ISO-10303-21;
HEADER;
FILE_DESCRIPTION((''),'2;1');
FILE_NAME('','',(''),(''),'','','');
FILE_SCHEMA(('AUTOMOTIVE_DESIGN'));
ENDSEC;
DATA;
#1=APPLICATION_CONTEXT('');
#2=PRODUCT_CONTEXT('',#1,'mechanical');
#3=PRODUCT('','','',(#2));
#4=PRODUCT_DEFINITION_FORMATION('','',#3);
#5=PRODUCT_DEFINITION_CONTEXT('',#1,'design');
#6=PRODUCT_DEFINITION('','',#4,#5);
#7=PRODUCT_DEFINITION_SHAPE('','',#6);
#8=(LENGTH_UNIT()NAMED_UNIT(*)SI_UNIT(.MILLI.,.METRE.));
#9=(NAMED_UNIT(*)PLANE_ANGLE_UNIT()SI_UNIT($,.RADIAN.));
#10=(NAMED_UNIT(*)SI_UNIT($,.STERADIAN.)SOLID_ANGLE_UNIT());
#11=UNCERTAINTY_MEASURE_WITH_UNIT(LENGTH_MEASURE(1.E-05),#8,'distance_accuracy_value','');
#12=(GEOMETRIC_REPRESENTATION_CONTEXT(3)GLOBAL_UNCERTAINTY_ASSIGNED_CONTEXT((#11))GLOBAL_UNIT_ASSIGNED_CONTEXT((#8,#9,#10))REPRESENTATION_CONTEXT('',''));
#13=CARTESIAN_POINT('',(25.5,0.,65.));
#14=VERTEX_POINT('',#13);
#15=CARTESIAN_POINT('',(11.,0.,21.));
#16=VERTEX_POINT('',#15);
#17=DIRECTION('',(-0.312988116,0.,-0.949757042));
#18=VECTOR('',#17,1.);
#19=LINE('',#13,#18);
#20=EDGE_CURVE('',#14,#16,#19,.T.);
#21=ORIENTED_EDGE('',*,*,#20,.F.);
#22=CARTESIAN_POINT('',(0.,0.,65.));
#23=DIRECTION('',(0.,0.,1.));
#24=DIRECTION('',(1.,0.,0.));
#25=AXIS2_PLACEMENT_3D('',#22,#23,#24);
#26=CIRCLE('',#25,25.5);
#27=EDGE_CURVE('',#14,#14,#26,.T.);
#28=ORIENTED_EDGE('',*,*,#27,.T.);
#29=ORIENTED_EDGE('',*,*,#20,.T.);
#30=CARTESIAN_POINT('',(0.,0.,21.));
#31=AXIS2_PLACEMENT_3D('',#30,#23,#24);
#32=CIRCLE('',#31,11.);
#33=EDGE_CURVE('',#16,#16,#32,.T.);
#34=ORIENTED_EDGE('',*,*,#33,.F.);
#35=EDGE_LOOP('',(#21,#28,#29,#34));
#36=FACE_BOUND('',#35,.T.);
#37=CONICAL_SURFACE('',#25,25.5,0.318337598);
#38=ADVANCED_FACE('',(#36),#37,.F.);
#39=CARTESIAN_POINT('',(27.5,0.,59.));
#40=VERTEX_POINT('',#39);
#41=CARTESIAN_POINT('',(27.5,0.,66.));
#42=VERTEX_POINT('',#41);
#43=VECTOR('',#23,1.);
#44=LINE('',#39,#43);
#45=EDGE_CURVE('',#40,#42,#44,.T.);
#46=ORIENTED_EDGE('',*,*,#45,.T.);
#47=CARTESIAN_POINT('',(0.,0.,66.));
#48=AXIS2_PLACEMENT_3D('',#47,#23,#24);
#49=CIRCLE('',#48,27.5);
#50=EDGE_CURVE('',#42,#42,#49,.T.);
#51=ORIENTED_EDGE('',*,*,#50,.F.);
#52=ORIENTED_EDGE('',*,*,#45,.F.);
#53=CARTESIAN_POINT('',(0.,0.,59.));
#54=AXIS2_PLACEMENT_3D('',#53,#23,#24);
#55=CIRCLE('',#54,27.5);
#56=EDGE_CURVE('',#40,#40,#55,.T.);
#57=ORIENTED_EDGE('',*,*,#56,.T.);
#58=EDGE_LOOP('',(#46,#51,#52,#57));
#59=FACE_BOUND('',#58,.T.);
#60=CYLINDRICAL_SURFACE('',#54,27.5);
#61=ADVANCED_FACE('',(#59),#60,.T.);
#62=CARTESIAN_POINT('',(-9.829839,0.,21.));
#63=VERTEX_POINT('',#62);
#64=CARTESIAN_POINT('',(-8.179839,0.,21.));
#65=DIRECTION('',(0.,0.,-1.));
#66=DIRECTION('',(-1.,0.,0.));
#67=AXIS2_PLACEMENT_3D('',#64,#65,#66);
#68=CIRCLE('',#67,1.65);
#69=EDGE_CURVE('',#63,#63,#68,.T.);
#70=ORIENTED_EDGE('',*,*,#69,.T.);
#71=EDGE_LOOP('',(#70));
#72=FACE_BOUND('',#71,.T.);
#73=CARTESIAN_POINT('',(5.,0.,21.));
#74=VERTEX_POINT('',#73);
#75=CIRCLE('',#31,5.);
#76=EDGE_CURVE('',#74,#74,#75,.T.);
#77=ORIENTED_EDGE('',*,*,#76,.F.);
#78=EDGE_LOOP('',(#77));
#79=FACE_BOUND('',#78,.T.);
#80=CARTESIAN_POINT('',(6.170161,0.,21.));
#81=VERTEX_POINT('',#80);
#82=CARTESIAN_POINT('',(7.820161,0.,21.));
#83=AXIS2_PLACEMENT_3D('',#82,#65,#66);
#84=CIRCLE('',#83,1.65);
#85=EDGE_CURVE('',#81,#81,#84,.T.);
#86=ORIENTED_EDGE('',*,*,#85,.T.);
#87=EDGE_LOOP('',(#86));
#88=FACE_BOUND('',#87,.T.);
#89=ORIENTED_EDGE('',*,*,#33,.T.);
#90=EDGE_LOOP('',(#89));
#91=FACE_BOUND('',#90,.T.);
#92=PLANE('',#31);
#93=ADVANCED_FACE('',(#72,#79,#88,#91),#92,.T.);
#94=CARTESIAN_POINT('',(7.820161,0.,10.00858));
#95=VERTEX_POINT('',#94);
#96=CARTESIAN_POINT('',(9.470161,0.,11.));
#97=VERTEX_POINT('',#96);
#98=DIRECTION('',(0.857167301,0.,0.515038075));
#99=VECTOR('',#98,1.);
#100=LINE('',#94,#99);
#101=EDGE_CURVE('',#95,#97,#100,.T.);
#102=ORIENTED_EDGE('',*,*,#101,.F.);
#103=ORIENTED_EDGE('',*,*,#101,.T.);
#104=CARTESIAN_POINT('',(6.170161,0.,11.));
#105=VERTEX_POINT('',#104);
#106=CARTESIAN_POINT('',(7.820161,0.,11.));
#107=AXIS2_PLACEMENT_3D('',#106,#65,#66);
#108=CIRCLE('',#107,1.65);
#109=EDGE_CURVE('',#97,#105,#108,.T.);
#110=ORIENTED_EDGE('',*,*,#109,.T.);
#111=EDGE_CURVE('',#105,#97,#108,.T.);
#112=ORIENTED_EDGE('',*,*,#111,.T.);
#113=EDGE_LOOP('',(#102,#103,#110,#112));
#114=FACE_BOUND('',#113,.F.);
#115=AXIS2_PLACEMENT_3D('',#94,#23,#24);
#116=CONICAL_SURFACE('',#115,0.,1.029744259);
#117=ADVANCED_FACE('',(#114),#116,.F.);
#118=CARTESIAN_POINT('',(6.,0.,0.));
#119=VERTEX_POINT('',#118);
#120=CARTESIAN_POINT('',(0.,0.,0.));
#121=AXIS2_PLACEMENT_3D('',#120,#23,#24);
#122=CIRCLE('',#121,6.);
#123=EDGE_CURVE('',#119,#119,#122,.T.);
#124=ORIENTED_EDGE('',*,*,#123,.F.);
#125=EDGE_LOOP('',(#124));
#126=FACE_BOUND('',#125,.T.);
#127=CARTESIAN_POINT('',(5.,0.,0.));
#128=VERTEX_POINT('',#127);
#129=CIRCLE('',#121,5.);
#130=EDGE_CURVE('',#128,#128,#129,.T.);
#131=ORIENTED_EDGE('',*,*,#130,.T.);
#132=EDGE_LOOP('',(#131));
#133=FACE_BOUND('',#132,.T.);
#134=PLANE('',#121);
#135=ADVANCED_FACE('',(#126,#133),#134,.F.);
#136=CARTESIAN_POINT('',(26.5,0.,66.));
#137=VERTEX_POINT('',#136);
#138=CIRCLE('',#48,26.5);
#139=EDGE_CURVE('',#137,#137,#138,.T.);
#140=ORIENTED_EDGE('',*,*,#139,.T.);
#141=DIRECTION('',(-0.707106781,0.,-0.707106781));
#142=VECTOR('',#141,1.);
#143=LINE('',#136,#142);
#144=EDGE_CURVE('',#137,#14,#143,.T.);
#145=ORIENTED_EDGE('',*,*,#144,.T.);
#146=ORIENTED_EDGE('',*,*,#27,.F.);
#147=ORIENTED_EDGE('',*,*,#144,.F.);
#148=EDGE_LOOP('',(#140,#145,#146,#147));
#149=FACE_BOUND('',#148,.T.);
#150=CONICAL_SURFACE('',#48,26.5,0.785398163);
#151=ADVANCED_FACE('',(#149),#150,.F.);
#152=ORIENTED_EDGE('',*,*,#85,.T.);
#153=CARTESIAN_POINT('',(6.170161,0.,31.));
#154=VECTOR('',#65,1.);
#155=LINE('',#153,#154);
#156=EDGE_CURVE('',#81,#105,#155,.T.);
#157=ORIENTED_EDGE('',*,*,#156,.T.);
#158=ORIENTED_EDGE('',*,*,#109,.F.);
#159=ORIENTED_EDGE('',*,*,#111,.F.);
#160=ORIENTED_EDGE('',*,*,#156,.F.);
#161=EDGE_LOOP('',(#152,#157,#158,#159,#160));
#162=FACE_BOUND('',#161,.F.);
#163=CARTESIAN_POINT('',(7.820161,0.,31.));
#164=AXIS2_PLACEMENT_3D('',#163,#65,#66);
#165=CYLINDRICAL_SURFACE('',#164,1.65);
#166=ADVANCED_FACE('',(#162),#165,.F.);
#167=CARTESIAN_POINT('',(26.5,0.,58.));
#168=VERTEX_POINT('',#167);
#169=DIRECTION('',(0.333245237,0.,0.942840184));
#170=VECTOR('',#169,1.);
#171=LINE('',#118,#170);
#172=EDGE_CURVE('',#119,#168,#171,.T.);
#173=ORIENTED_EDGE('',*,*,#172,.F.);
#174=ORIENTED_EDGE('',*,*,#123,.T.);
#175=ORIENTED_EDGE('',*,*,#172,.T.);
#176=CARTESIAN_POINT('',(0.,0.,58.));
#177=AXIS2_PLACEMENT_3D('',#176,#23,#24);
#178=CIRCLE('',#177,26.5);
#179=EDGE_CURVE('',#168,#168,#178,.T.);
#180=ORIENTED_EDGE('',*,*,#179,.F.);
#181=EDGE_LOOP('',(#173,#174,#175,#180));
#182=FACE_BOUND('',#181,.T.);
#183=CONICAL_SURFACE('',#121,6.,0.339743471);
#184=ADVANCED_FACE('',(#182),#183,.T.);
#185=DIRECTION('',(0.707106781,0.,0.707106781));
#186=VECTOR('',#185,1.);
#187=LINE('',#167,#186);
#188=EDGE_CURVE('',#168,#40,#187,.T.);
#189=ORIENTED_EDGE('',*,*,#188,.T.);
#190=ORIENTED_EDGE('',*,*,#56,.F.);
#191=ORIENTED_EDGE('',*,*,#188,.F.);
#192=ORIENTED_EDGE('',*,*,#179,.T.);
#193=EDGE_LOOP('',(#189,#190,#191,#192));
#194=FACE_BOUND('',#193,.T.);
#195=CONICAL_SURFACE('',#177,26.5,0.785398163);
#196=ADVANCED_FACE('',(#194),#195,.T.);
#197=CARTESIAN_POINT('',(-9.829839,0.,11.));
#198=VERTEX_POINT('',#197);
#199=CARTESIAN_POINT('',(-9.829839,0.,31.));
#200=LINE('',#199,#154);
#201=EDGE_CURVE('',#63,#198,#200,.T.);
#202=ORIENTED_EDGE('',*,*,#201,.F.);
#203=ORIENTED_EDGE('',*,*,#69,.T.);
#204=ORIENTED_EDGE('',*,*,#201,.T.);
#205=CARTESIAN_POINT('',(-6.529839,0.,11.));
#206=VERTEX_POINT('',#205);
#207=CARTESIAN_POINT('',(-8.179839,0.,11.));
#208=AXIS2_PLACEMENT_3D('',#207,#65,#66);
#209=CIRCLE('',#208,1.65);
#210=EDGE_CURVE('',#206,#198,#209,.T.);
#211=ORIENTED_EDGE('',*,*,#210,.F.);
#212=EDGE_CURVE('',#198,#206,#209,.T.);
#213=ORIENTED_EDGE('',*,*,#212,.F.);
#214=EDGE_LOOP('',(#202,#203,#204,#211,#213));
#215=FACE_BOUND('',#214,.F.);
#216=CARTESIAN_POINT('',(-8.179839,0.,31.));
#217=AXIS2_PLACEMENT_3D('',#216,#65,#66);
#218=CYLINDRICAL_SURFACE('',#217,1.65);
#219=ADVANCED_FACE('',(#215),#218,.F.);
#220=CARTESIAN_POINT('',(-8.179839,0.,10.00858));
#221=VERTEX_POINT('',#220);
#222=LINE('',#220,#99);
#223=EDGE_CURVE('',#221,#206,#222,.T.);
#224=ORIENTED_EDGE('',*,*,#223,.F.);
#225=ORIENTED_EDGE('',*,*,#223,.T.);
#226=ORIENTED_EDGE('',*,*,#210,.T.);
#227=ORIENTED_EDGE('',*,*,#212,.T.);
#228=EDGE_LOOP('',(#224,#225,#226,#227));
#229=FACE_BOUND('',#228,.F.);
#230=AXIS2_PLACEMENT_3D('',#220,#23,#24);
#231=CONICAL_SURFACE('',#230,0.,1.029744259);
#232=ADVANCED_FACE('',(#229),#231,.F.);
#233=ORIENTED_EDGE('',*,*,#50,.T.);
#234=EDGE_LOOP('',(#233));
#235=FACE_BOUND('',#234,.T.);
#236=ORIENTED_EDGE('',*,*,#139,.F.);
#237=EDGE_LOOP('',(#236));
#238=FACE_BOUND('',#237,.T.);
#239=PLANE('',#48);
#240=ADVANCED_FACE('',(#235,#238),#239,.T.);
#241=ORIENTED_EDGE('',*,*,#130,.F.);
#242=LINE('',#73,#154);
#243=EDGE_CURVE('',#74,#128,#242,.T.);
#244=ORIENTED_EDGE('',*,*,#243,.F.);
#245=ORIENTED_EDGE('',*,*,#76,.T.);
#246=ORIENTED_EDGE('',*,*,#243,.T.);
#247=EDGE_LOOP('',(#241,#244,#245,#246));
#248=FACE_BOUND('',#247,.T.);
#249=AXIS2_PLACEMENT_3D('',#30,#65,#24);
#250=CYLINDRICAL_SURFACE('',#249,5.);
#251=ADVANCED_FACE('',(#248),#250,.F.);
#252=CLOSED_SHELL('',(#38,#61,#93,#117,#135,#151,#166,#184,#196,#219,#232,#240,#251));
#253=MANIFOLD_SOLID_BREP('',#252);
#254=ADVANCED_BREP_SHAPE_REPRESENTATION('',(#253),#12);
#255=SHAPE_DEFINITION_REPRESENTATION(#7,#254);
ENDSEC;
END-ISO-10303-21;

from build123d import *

# Parameters (mm, degrees)
F3_D     = 3.3
F3_DEPTH = 10
F3_TIP   = 0.9914200214


with BuildPart() as f1:
    # F0 (on Front) → F1 (revolve)
    with BuildSketch(Plane.XZ):
        Polygon((6, 0), (26.5, 58), (27.5, 59), (27.5, 66), (26.5, 66), (25.5, 65), (11, 21), (5, 21), (5, 0), align=None)
    revolve(axis=Axis((0, 0, 33), (0, 0, 1)))

    # F3
    with Locations(Plane.XY.offset(21)):
        with Locations((-8.1798387869, 0), (7.8201612131, 0)):
            Hole(F3_D / 2, depth=F3_DEPTH)
            with Locations((0, 0, -(F3_DEPTH + F3_TIP / 2))):  # 118° drill point
                Cone(0, F3_D / 2, F3_TIP, mode=Mode.SUBTRACT)


solid = f1.part
